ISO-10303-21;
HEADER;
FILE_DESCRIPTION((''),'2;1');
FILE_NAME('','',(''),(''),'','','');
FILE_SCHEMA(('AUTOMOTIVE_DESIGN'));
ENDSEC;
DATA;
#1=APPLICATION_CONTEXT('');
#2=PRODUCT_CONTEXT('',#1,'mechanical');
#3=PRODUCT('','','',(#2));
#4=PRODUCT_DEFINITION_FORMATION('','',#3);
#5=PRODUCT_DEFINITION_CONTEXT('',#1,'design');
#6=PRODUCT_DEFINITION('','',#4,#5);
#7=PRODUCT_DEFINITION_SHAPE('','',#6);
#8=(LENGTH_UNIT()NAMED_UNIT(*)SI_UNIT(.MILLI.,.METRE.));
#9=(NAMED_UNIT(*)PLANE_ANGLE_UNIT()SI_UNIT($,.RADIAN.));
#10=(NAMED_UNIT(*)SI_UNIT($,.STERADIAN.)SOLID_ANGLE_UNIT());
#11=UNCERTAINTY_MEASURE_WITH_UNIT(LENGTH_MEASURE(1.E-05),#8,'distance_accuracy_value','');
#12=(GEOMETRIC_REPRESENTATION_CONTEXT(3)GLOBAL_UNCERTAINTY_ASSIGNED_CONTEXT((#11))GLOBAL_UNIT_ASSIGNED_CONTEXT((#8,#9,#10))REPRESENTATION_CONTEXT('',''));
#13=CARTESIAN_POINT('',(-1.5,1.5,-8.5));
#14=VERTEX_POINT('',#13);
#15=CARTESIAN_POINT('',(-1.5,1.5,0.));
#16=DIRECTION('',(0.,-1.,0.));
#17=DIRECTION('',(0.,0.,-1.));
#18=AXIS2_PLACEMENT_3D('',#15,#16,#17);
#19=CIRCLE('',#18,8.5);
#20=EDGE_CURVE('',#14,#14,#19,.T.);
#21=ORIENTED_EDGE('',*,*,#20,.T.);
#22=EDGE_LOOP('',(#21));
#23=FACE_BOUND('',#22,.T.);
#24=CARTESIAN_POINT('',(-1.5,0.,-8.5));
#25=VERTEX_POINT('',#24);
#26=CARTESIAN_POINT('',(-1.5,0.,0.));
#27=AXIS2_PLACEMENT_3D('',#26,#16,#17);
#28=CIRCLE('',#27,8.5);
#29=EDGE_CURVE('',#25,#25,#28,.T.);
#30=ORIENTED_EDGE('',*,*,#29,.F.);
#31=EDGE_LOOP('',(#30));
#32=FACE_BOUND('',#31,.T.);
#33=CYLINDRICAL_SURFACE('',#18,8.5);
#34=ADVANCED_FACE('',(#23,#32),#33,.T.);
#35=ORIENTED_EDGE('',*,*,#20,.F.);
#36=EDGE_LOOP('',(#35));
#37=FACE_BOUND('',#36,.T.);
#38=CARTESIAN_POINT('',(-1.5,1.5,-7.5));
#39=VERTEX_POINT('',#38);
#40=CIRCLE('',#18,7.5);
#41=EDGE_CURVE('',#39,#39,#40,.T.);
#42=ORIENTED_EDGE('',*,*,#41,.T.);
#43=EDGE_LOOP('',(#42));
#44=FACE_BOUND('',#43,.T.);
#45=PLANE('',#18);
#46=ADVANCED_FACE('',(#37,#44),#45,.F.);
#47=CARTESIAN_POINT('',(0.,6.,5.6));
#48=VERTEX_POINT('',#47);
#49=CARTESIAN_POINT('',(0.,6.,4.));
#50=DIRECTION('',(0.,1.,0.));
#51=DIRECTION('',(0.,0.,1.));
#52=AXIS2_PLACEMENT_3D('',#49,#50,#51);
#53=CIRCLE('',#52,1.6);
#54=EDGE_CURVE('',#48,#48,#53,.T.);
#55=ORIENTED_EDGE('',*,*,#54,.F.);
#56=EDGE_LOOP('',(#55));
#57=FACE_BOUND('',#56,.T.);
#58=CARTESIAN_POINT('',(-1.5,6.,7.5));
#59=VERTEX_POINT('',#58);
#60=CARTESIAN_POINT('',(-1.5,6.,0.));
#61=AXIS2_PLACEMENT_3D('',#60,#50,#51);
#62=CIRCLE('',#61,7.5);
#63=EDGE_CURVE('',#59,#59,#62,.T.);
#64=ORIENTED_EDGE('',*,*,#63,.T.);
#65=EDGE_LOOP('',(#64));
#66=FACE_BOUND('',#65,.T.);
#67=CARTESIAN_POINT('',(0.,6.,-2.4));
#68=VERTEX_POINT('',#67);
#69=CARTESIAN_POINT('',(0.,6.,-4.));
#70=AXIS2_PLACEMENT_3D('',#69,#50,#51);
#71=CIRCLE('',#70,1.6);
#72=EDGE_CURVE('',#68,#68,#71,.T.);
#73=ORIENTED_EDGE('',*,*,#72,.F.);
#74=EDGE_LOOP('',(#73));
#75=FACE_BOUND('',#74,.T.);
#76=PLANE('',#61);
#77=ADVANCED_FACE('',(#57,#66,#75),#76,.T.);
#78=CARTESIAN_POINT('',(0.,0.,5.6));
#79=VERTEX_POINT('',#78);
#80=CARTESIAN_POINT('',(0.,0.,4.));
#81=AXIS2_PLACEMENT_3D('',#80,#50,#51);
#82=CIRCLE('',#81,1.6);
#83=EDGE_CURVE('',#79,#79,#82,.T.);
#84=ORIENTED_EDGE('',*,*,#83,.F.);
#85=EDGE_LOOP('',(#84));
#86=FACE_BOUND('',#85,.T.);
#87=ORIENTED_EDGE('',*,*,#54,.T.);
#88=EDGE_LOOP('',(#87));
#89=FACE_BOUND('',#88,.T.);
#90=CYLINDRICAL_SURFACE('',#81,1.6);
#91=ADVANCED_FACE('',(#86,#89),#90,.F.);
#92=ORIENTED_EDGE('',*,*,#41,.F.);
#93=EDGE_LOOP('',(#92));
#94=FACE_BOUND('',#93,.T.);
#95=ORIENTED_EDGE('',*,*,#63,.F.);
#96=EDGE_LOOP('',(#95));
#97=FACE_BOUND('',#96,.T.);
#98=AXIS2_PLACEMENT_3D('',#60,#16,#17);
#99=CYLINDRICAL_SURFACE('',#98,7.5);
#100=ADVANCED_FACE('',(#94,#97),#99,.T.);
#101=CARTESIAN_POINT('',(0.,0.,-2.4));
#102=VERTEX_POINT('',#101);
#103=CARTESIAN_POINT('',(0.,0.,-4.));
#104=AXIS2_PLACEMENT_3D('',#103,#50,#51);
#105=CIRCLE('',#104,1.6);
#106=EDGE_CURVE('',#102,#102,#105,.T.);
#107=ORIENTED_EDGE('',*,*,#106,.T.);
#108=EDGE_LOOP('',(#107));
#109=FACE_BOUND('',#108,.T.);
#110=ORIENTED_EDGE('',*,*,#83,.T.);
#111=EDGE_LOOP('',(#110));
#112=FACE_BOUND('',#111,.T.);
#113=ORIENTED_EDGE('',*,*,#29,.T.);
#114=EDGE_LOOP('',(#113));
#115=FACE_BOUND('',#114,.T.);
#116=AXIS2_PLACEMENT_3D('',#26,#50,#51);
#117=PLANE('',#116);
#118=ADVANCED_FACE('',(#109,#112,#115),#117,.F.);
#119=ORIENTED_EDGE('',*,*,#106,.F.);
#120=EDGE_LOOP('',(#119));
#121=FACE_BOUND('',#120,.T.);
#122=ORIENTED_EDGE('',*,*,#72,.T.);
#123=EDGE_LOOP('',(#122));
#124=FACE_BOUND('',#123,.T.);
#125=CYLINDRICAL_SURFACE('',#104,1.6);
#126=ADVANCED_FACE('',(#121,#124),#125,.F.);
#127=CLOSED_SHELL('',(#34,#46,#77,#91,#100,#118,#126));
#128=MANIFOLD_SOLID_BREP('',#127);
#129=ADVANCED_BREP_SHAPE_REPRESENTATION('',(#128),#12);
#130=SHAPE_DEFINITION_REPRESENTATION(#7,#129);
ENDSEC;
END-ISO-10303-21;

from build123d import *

# Parameters (mm, degrees)
SKETCH1_R           = 7.5
BOSS_EXTRUDE1_DEPTH = 6
SKETCH2_R           = 8.5
BOSS_EXTRUDE2_DEPTH = 1.5
SKETCH4_R           = 1.6
CUT_EXTRUDE1_DEPTH  = 15.43086969


with BuildPart() as part:
    # Sketch1 → Boss-Extrude1 (new body)
    with BuildSketch(Plane(origin=(0, 0, 0), x_dir=(1, 0, 0), z_dir=(0, 1, 0))):
        with Locations(Location((-1.5, 0, 0), (0, 0, 270))):
            Circle(SKETCH1_R)
    extrude(amount=BOSS_EXTRUDE1_DEPTH)

    # Sketch2 → Boss-Extrude2 (add)
    with BuildSketch(Plane.XZ):
        with Locations(Location((-1.5, 0, 0), (0, 0, 270))):
            Circle(SKETCH2_R)
    extrude(amount=-BOSS_EXTRUDE2_DEPTH)

    # Sketch4 → Cut-Extrude1 (cut, through all)
    with BuildSketch(Plane(origin=(0, 6, 0), x_dir=(1, 0, 0), z_dir=(0, 1, 0))):
        with Locations(Location((0, 4, 0), (0, 0, 270))):
            Circle(SKETCH4_R)
        with Locations(Location((0, -4, 0), (0, 0, 270))):
            Circle(SKETCH4_R)
    extrude(amount=-CUT_EXTRUDE1_DEPTH, mode=Mode.SUBTRACT)


solid = part.part
